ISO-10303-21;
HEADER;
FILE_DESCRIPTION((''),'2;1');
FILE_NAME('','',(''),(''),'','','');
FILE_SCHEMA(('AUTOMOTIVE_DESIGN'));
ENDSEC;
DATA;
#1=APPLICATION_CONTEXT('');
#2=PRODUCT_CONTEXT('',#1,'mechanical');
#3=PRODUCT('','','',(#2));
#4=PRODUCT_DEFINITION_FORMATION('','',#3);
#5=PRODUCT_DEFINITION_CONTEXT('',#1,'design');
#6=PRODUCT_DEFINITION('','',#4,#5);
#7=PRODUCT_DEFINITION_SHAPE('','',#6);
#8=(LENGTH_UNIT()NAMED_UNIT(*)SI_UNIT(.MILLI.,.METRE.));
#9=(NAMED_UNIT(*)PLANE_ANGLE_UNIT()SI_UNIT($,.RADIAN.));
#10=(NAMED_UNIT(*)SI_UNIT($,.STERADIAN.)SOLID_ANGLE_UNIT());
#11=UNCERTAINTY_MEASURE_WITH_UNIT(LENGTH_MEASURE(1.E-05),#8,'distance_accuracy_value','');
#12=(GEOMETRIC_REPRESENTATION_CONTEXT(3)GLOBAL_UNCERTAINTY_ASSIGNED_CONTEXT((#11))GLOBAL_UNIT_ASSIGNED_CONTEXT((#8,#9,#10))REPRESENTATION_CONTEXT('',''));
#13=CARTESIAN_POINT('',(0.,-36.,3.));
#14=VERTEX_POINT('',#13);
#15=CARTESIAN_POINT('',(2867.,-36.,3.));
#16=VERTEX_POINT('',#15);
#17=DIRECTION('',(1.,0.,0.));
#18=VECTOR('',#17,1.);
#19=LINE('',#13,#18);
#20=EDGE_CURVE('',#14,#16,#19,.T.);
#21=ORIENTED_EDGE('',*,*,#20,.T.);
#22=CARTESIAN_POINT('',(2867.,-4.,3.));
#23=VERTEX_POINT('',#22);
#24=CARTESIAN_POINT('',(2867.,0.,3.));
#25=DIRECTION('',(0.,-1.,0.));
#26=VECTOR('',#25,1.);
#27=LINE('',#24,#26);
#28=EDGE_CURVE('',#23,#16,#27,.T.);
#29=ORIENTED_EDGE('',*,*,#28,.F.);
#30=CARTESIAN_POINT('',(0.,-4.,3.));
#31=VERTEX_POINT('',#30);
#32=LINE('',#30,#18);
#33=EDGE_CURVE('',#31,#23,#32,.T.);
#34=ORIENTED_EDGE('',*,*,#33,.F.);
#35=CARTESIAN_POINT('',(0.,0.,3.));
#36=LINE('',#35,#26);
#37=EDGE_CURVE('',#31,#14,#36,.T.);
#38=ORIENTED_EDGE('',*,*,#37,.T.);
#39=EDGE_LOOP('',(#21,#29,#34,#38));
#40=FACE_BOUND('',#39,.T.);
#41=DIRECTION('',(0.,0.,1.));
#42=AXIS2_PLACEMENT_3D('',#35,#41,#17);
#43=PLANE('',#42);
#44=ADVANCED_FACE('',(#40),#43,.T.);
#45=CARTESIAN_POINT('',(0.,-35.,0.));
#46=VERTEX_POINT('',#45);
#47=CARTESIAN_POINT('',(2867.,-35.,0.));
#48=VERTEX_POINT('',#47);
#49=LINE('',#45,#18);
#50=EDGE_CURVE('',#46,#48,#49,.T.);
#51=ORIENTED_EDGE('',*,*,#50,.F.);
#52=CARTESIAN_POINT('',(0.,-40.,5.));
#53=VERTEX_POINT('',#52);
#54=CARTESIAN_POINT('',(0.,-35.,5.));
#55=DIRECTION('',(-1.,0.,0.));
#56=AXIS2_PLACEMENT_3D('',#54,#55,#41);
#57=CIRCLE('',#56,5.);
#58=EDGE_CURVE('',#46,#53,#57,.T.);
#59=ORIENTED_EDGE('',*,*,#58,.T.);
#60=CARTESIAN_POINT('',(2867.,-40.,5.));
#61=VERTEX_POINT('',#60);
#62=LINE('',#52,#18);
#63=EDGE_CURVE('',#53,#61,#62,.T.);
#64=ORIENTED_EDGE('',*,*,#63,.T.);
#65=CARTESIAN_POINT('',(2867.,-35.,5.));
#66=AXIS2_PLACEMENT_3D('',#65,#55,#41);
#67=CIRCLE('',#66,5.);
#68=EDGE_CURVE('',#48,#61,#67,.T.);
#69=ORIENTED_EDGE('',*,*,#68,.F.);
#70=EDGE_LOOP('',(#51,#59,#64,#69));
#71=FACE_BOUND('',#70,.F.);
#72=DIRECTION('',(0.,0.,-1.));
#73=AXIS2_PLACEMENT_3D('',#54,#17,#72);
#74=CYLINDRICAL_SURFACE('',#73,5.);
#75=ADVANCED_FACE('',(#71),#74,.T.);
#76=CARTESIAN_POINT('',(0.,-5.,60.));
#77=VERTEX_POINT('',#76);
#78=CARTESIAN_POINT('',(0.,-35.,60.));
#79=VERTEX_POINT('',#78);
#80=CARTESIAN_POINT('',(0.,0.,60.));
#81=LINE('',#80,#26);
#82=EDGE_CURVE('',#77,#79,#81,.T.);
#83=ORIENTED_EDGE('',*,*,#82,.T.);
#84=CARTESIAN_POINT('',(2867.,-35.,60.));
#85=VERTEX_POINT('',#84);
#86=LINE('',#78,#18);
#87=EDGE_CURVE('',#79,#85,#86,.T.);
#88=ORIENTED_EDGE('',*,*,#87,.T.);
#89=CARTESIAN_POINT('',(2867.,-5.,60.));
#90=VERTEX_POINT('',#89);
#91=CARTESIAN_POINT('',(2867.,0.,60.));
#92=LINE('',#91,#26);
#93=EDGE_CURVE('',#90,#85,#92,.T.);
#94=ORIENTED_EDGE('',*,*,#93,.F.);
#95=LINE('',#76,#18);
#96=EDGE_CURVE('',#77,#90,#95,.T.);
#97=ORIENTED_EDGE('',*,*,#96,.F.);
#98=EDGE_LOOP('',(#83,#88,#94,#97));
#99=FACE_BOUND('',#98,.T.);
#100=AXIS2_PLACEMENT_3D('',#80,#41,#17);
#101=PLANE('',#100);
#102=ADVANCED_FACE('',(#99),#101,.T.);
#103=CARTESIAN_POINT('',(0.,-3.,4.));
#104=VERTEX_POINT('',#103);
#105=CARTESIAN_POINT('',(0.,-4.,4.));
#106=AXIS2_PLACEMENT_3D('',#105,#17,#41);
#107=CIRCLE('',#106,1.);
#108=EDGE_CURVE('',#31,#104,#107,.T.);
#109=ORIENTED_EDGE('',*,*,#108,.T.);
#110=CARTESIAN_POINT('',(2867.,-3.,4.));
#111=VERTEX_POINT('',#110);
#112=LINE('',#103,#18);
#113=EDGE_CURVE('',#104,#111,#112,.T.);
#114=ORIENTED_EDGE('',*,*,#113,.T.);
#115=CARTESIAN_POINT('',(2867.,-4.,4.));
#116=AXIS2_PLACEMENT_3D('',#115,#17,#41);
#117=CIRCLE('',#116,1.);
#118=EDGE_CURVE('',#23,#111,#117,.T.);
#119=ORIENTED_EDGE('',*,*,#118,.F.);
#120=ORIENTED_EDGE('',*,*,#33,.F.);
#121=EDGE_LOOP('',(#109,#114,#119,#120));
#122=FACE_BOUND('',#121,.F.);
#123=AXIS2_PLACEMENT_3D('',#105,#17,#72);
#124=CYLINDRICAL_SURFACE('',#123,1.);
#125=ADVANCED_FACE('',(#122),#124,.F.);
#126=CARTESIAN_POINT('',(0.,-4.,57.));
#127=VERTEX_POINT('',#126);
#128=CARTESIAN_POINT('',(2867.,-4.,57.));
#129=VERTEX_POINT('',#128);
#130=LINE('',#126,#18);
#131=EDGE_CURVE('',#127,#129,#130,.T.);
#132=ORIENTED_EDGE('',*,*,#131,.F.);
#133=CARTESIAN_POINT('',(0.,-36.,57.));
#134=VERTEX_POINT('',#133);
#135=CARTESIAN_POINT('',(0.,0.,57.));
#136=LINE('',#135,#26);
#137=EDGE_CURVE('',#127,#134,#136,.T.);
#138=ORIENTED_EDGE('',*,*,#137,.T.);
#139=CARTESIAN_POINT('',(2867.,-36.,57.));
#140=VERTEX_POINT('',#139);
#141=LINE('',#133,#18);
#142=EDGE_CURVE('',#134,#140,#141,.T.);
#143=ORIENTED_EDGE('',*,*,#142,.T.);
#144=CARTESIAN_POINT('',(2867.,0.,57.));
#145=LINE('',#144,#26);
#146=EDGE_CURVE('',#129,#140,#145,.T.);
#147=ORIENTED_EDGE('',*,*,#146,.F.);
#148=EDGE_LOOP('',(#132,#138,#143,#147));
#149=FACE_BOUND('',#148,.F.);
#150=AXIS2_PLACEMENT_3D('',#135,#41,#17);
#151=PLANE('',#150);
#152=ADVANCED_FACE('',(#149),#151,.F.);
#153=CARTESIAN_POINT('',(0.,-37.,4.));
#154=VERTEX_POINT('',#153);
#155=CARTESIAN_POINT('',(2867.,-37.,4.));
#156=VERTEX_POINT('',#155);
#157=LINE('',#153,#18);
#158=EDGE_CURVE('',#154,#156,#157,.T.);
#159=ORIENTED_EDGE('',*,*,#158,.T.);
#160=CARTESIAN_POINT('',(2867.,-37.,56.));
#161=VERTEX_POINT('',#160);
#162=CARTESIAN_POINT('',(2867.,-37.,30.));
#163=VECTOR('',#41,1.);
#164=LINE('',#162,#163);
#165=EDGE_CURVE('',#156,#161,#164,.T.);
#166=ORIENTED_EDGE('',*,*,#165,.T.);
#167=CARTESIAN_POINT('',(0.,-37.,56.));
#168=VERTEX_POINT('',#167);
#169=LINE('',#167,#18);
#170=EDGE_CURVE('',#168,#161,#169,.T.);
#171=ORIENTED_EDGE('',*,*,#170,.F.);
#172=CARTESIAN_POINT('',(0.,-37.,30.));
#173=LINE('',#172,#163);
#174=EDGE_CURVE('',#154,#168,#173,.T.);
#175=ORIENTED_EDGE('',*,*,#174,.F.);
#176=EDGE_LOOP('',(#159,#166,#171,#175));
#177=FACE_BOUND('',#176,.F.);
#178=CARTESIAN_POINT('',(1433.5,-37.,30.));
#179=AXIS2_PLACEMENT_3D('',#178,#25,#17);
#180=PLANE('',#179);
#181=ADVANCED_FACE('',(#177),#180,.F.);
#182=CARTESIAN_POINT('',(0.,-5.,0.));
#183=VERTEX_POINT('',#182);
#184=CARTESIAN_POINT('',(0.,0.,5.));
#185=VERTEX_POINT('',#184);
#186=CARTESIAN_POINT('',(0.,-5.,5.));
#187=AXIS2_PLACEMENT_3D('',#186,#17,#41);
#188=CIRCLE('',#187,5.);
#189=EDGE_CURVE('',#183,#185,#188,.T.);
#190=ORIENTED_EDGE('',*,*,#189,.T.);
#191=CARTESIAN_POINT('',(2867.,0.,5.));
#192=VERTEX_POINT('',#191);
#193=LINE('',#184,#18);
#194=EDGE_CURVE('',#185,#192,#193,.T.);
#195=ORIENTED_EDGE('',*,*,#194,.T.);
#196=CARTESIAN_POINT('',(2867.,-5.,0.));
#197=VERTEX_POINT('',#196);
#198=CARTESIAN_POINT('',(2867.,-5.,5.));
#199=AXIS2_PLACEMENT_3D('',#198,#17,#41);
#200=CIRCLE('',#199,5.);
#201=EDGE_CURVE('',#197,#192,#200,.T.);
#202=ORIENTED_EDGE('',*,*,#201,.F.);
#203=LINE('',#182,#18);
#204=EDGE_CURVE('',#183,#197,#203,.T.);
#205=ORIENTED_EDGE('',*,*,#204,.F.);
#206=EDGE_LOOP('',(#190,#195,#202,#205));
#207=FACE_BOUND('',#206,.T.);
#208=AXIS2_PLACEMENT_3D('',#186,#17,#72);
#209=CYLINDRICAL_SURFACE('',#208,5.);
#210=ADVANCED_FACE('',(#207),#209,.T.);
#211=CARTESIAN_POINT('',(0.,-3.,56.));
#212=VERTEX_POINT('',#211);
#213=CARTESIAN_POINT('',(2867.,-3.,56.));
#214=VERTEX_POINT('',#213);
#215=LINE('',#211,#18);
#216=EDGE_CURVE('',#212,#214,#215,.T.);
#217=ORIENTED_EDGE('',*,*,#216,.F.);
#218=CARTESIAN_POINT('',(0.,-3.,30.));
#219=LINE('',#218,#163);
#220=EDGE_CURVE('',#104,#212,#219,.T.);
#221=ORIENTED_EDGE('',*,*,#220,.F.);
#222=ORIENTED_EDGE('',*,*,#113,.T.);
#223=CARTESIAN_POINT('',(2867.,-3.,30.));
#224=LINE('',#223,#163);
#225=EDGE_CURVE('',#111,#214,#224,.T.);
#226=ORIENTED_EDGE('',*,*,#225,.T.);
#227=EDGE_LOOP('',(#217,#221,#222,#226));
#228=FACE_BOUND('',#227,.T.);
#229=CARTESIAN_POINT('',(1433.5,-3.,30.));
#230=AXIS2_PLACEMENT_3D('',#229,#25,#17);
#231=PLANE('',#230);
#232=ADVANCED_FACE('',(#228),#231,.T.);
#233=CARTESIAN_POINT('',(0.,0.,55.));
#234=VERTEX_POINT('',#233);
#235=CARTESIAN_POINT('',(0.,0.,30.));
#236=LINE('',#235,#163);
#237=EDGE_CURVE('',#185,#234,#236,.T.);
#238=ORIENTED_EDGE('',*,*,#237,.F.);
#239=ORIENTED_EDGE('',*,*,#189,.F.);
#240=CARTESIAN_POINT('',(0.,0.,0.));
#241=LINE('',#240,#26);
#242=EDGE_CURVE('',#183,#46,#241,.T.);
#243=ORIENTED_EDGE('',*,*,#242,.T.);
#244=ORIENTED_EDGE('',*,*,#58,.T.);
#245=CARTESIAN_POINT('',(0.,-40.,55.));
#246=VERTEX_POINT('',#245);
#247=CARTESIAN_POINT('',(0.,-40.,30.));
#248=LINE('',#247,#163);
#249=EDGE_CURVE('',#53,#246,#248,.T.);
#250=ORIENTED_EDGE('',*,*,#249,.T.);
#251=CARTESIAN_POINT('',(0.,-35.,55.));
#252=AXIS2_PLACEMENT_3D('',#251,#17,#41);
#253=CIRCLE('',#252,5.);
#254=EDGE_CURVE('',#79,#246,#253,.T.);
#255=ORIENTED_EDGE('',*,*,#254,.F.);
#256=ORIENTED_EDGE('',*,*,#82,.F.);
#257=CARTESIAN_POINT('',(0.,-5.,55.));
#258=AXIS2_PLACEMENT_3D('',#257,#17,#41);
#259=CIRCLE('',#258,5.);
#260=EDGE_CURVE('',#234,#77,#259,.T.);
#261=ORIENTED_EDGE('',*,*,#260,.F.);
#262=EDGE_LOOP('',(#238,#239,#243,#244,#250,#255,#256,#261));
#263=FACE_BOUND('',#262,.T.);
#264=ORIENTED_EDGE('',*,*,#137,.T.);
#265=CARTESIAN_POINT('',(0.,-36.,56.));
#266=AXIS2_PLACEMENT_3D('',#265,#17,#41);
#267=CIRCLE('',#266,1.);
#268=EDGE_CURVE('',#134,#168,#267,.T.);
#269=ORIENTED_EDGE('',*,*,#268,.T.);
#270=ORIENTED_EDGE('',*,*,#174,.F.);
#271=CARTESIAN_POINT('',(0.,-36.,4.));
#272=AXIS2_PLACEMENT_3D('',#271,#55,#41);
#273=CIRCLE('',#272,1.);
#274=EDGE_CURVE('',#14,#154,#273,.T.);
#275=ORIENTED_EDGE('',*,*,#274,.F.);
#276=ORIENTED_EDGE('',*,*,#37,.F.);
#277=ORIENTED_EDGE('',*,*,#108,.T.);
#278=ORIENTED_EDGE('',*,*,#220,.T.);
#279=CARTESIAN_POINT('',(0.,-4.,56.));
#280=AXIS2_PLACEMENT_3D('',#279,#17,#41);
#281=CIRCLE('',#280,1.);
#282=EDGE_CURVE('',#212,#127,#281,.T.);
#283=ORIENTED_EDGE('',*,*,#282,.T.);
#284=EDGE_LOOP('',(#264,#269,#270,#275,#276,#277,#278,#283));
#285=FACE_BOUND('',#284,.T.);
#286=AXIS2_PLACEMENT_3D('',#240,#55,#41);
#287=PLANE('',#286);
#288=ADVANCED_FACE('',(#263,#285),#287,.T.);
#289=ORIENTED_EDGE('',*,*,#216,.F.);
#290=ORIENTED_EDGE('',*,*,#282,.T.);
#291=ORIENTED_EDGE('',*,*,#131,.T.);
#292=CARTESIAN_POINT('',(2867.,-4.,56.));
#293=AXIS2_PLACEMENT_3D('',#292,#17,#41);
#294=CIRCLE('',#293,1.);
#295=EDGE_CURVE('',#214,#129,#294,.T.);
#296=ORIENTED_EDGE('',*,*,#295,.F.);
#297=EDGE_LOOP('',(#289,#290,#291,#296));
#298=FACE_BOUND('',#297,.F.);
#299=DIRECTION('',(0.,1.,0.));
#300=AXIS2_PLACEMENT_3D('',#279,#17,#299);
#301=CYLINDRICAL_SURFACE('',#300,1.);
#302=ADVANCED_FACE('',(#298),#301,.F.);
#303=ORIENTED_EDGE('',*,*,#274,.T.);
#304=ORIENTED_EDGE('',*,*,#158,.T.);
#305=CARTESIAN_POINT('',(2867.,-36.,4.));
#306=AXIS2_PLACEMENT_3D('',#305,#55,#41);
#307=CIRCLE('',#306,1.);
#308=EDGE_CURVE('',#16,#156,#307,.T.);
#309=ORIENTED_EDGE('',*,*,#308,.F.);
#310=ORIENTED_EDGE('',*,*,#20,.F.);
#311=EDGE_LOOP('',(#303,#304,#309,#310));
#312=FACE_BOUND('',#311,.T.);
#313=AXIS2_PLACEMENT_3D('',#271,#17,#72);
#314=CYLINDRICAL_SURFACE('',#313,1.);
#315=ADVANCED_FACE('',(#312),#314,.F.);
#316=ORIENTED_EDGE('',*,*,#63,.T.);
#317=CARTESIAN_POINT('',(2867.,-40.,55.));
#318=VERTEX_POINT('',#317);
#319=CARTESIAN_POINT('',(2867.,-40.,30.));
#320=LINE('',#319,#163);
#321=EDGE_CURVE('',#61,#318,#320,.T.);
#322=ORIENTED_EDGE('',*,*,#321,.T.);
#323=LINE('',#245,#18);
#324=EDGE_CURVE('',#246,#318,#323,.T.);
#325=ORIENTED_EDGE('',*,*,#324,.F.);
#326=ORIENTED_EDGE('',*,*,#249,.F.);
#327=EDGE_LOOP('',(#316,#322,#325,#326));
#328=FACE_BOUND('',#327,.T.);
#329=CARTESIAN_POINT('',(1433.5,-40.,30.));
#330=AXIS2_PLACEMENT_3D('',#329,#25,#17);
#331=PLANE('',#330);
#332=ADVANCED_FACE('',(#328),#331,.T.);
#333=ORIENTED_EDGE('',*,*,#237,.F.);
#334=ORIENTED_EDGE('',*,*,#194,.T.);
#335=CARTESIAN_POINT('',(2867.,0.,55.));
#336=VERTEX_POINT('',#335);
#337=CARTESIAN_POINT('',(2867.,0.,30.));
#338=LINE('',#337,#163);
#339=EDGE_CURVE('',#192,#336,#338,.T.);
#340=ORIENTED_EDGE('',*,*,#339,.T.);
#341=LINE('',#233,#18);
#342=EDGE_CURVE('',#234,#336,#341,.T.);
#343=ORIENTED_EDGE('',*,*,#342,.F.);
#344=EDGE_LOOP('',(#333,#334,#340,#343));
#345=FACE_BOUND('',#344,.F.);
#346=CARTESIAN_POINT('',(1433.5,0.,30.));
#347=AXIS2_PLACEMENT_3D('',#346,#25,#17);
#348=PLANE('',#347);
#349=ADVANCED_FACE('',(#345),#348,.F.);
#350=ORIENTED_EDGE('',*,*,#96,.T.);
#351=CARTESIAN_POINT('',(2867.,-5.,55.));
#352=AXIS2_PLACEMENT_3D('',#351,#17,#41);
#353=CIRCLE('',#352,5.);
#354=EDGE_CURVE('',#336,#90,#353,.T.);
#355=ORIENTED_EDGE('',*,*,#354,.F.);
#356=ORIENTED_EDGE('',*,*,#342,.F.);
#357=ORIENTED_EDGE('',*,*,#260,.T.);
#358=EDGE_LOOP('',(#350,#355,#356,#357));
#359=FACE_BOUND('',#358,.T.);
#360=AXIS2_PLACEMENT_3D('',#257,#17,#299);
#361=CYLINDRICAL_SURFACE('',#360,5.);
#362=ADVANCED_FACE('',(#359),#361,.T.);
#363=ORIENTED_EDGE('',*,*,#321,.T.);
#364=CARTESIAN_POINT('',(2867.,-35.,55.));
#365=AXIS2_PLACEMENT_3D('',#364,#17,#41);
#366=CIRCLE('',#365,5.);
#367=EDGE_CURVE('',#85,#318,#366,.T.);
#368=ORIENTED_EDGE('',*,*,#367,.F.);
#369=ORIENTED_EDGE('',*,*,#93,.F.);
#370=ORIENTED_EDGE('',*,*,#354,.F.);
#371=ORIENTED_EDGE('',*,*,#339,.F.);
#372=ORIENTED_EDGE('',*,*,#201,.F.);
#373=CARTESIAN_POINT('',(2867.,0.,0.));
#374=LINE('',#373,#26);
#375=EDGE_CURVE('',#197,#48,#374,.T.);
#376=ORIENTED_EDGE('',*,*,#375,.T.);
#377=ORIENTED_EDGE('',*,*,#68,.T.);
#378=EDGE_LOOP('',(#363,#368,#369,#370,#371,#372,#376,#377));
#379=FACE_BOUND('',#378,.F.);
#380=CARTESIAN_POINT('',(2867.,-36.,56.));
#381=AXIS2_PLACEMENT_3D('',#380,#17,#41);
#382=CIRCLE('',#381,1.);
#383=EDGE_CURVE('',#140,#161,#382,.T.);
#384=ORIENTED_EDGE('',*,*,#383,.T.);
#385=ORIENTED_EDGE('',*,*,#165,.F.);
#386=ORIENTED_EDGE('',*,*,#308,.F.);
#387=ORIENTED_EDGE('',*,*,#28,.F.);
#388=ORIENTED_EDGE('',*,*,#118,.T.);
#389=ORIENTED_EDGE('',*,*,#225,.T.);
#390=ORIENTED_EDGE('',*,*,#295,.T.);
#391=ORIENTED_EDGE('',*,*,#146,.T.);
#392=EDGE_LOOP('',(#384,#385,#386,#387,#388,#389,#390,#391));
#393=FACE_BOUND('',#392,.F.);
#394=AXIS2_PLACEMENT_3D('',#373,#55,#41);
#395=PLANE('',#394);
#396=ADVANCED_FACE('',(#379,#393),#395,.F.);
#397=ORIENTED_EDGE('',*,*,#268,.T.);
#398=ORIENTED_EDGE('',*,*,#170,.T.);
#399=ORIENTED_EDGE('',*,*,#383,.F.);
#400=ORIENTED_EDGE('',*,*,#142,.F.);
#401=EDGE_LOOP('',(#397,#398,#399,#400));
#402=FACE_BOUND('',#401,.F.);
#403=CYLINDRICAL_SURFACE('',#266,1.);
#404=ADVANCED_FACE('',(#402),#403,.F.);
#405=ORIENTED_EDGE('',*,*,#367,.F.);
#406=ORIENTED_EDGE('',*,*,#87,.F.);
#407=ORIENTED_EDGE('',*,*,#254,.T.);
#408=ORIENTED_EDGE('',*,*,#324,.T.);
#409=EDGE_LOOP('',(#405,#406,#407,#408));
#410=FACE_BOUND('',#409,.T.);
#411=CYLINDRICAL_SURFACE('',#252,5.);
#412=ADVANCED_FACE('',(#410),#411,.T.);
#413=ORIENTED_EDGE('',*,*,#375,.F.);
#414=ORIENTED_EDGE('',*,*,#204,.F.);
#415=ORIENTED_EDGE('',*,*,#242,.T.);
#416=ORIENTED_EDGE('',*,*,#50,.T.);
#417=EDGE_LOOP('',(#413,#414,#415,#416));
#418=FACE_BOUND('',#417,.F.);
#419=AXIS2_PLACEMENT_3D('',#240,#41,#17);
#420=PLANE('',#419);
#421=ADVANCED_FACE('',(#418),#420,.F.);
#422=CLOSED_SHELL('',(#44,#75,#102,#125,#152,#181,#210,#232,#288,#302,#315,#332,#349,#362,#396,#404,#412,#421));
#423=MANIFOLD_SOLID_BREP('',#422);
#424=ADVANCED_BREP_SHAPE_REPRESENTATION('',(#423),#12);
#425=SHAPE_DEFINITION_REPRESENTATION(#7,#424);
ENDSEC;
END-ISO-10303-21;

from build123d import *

# Parameters (mm, degrees)
F0_W     = 2867
F0_H     = 60
F1_DEPTH = 40
F2_T     = -3
F3_R     = 5
F4_R     = 1


with BuildPart() as f1:
    # F0 (on Front) → F1 (new body)
    with BuildSketch(Plane.XZ):
        with Locations((1433.5, 30)):
            Rectangle(F0_W, F0_H)
    extrude(amount=F1_DEPTH)

    # F2
    f2_openings = [f1.faces().sort_by_distance(p)[0] for p in [
        (0, -20, 30),
        (2867, -20, 30),
    ]]
    offset(amount=F2_T, openings=f2_openings)

    # F3
    f3_edges = [f1.edges().sort_by_distance(p)[0] for p in [
        (1433.5, -40, 60),
        (1433.5, -40, 0),
        (1433.5, 0, 0),
        (1433.5, 0, 60),
    ]]
    fillet(f3_edges, radius=F3_R)

    # F4
    f4_edges = [f1.edges().sort_by_distance(p)[0] for p in [
        (1433.5, -3, 3),
        (1433.5, -37, 3),
        (1433.5, -3, 57),
        (1433.5, -37, 57),
    ]]
    fillet(f4_edges, radius=F4_R)


solid = f1.part
